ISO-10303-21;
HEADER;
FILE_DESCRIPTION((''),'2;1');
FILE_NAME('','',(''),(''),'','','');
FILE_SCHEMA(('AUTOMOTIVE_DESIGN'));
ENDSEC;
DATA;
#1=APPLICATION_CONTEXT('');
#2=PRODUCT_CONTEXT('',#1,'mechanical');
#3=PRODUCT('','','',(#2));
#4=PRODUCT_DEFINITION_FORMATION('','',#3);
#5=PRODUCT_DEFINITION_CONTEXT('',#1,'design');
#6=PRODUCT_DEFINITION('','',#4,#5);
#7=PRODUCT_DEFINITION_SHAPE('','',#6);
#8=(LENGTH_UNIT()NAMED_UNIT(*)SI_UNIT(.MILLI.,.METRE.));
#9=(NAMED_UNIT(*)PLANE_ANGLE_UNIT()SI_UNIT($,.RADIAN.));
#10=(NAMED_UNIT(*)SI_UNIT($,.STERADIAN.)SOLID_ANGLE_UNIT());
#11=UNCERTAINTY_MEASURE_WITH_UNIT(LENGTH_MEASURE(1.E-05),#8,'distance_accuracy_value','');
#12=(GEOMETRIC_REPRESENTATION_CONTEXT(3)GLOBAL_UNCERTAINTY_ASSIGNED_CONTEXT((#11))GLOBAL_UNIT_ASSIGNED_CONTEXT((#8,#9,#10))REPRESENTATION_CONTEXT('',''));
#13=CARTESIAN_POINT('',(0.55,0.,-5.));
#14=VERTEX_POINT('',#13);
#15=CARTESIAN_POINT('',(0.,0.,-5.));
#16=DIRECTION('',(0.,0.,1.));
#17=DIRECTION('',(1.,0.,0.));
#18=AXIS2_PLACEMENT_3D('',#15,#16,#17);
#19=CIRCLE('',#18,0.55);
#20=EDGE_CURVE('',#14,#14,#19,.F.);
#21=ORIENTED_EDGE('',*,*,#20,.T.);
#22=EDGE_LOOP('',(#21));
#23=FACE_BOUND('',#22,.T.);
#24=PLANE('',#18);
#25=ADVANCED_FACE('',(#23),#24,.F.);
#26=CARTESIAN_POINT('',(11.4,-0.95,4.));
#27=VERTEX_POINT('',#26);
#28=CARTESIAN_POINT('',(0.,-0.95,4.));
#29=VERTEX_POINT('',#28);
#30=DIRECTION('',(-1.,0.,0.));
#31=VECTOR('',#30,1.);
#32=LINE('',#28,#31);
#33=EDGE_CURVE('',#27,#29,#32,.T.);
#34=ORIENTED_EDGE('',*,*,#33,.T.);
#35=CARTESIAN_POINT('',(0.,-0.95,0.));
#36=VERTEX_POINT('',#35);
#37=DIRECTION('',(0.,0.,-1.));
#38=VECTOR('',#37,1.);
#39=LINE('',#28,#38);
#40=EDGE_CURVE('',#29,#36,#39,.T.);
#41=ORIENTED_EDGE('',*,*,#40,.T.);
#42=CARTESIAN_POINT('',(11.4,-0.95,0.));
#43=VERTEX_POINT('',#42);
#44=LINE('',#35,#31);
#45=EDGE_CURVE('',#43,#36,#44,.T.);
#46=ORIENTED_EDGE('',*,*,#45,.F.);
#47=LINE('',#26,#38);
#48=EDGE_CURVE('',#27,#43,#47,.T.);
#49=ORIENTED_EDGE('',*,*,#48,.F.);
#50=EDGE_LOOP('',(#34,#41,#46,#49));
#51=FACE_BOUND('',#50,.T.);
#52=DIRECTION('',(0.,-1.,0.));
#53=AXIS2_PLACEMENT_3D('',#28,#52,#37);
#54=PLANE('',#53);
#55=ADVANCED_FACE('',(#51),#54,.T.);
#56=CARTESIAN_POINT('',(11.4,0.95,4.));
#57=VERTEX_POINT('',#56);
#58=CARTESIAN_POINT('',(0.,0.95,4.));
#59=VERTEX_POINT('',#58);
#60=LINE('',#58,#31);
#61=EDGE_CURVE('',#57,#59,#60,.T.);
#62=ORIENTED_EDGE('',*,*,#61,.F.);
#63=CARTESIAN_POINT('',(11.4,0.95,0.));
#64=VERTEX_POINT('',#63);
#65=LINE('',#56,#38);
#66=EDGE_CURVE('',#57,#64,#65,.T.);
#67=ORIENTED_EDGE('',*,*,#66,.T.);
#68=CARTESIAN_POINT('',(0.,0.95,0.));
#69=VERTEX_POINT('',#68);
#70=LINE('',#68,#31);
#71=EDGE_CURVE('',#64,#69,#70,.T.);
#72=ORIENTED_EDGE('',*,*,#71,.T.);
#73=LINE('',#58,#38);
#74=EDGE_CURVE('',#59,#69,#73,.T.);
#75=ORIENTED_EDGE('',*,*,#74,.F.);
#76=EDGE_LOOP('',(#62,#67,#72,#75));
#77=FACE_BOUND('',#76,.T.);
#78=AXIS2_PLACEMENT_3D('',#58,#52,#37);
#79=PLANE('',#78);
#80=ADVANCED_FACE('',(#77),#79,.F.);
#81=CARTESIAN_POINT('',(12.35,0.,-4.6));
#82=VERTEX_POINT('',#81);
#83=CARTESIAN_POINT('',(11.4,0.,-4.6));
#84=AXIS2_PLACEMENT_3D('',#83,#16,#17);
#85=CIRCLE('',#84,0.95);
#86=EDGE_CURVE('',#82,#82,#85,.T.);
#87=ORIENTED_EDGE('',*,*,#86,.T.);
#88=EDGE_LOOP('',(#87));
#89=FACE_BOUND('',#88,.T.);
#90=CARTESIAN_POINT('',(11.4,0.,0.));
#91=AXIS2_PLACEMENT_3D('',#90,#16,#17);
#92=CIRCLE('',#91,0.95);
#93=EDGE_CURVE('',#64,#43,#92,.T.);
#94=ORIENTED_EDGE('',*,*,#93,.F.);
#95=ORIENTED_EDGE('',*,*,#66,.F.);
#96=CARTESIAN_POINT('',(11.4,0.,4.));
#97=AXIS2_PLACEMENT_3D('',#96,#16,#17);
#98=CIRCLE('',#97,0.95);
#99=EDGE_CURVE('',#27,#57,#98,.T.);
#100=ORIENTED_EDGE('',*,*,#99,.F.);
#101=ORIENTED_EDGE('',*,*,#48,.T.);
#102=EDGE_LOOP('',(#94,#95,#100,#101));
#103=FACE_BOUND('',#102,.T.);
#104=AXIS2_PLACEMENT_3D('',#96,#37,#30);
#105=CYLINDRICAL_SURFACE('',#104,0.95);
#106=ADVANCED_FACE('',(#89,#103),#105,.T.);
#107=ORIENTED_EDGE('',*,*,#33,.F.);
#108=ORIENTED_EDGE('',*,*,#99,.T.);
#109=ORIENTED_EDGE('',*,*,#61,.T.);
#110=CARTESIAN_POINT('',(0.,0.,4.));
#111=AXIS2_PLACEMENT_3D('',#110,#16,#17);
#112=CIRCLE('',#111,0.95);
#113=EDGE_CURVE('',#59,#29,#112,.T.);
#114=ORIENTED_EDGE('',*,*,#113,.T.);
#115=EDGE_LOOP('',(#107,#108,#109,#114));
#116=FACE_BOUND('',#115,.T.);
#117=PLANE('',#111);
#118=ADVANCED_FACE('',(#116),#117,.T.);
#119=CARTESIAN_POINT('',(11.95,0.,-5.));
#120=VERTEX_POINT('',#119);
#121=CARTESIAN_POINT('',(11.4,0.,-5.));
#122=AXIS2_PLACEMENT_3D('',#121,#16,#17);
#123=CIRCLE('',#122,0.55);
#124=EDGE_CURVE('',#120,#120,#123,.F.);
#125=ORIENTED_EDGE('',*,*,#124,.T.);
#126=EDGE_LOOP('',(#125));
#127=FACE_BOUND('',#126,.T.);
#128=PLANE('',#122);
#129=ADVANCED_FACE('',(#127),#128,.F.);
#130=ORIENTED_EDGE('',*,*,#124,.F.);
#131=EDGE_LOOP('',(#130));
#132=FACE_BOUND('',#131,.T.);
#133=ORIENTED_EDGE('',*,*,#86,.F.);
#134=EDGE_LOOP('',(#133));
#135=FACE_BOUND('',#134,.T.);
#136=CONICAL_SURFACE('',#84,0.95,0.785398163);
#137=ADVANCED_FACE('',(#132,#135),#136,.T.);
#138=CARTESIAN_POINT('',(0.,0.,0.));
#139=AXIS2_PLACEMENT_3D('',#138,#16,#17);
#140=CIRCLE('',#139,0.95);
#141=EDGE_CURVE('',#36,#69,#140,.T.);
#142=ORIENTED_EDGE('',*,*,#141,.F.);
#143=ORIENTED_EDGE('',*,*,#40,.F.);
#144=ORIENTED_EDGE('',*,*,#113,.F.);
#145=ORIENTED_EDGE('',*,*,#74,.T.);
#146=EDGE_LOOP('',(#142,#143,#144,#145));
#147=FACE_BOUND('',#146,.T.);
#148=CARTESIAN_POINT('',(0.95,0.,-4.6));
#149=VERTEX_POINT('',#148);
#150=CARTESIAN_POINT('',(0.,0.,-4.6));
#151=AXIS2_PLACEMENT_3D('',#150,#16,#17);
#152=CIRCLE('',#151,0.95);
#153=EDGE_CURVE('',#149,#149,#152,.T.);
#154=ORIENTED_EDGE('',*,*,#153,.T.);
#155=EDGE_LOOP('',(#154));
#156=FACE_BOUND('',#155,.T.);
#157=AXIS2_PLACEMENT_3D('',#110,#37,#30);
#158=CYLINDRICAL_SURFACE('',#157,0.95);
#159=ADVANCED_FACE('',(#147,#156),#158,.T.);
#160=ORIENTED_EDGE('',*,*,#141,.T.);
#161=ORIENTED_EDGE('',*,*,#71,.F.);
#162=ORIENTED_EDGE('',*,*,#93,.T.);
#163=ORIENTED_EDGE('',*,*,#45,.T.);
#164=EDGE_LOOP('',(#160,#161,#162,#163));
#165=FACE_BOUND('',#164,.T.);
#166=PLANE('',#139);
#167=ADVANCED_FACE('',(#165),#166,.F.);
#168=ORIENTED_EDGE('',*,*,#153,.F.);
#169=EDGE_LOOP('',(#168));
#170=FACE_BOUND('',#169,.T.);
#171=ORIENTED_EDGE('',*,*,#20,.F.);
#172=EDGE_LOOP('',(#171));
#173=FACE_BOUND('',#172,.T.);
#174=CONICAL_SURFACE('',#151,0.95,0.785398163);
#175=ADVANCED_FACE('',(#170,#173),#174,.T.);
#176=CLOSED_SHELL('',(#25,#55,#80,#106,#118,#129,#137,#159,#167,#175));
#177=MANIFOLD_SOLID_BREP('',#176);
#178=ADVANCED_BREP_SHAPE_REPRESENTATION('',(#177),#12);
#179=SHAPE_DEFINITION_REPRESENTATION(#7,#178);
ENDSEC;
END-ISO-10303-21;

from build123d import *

# Parameters (mm, degrees)
BOSS_EXTRUDE1_DEPTH = 4
BOSS_EXTRUDE2_START = -5
SKETCH1_4_R         = 0.95
BOSS_EXTRUDE2_DEPTH = 5
CHAMFER1_SIZE       = 0.4


with BuildPart() as part:
    # Sketch1 → Boss-Extrude1 (new body)
    with BuildSketch(Plane.XY):
        with BuildLine():
            Line((11.4, 0.95), (0, 0.95))
            ThreePointArc((0, 0.95), (-0.95, 0), (0, -0.95))
            Line((0, -0.95), (11.4, -0.95))
            ThreePointArc((11.4, -0.95), (12.35, 0), (11.4, 0.95))
        make_face()
    extrude(amount=BOSS_EXTRUDE1_DEPTH)

    # Sketch1<4> → Boss-Extrude2 (add)
    with BuildSketch(Plane.XY.offset(BOSS_EXTRUDE2_START)):
        with Locations(Location((0, 0, 0), (0, 0, 90))):
            Circle(SKETCH1_4_R)
        with Locations(Location((11.4, 0, 0), (0, 0, 270))):
            Circle(SKETCH1_4_R)
    extrude(amount=BOSS_EXTRUDE2_DEPTH)

    # Chamfer1
    chamfer1_edges = [part.edges().sort_by_distance(p)[0] for p in [
        (0, -0.95, -5),
        (11.4, 0.95, -5),
    ]]
    chamfer(chamfer1_edges, length=CHAMFER1_SIZE)


solid = part.part
